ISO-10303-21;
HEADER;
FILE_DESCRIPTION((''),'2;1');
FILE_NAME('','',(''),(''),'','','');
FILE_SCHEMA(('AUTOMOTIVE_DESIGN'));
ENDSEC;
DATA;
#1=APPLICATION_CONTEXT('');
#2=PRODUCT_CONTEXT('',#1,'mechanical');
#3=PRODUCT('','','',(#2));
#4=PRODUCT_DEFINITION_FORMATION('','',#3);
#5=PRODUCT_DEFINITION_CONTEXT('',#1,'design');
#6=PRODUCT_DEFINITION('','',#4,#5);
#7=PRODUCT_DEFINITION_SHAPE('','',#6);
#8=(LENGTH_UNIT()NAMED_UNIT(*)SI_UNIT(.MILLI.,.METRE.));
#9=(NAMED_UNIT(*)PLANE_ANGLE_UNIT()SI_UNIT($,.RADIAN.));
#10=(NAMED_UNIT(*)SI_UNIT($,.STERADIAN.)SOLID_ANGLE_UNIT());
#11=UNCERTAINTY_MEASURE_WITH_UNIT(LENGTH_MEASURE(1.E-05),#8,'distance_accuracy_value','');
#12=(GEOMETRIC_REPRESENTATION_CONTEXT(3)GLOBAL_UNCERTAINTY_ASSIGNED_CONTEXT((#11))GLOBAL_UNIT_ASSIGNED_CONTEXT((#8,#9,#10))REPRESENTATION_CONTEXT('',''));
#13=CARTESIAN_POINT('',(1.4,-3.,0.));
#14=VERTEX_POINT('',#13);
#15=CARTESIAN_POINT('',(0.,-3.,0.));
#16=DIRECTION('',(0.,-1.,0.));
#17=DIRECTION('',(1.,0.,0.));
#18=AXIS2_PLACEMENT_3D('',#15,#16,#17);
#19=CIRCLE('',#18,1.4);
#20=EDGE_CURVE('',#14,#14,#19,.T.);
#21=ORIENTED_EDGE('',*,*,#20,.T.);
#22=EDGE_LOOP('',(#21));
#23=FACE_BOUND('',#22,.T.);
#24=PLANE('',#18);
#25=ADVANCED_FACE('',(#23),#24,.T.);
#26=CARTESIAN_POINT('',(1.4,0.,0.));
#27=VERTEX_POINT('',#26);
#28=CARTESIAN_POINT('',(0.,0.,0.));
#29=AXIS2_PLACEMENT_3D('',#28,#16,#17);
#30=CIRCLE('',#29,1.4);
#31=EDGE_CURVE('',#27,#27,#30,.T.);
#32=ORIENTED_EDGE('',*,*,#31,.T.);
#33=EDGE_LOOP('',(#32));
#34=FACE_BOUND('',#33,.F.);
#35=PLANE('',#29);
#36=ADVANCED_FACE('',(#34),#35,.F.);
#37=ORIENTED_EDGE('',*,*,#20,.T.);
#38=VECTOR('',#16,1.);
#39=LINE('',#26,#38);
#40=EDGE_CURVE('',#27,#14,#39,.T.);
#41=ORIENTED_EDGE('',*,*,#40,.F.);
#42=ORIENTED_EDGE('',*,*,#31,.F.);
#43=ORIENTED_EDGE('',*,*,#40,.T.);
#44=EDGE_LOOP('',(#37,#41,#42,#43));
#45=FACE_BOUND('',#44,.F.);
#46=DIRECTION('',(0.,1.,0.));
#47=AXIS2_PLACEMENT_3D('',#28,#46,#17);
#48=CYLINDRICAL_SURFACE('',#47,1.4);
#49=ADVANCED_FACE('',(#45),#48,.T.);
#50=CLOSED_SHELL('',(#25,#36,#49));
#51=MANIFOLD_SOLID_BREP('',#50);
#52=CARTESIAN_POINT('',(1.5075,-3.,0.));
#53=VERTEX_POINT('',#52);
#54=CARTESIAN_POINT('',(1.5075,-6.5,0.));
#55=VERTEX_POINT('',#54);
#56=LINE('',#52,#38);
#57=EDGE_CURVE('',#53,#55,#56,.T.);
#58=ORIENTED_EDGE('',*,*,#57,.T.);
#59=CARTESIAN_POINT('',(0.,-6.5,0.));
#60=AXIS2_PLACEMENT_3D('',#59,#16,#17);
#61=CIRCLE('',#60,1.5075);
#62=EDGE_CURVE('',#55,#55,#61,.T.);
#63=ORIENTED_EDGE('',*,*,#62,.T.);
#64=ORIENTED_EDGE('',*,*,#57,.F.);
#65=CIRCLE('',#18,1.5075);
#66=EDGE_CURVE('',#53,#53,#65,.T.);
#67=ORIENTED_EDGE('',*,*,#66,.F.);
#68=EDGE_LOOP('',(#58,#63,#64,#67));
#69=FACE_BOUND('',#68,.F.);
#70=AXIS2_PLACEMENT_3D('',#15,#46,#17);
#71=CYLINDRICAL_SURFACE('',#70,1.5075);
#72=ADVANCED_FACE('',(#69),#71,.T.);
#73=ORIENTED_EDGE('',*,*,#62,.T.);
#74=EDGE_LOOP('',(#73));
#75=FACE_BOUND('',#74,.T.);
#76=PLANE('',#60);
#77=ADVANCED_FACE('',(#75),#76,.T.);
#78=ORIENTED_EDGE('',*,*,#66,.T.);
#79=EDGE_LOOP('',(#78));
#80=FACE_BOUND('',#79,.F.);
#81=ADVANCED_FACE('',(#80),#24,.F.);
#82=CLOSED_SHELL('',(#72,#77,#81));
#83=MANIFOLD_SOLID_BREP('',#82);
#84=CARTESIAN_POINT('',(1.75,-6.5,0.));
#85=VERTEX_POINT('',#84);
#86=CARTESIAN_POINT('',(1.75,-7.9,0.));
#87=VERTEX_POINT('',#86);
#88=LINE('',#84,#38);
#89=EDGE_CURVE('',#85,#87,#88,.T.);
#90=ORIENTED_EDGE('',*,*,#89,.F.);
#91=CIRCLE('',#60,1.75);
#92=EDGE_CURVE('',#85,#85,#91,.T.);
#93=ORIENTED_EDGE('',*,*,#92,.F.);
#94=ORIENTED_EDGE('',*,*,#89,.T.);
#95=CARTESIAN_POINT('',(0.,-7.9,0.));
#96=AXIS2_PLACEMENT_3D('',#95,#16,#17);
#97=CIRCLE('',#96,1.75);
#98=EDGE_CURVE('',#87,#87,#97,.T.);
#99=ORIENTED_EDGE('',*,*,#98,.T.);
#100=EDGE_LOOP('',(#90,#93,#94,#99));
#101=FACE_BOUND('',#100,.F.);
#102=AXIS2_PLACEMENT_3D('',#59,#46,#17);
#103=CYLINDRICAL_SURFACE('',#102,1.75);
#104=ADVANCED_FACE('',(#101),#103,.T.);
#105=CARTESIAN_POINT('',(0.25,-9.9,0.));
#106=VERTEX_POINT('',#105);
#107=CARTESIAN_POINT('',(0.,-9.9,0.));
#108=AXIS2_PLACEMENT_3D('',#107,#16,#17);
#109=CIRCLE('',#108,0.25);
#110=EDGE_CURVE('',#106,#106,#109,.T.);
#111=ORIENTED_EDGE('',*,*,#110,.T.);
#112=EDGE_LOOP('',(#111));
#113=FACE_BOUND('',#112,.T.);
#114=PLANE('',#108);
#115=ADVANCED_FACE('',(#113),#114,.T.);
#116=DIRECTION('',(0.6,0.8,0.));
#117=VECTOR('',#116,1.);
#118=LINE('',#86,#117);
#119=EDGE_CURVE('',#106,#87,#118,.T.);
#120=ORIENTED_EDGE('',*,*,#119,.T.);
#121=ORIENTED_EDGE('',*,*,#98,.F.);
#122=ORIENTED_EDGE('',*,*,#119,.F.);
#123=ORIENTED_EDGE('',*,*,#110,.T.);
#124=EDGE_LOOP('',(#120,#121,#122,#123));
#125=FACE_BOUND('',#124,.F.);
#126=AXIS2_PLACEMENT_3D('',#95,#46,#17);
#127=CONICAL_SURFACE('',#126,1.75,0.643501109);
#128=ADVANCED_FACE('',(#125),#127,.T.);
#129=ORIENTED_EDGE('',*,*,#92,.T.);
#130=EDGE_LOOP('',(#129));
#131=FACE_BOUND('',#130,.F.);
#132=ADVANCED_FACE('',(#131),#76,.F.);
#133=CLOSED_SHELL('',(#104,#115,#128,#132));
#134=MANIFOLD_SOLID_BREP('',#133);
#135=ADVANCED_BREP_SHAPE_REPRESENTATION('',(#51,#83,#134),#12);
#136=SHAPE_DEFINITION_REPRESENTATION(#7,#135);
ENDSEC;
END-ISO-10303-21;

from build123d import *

# Parameters (mm, degrees)
F0_R     = 1.4
F1_DEPTH = 3
F2_R     = 1.5075
F2_R_2   = 1.4
F3_DEPTH = 3.5
F4_R     = 1.75
F4_R_2   = 1.5075
F5_DEPTH = 3.4
F6_SIZE2 = 2
F6_SIZE  = 1.5


with BuildPart() as f1:
    # F0 (on Front) → F1 (new body)
    with BuildSketch(Plane.XZ):
        Circle(F0_R)
    extrude(amount=F1_DEPTH)


with BuildPart() as f3:
    # F2 (on face) → F3 (new body)
    with BuildSketch(Plane.XZ.offset(3)):
        Circle(F2_R)
        Circle(F2_R_2, mode=Mode.SUBTRACT)
        Circle(F2_R_2)
    extrude(amount=F3_DEPTH)


with BuildPart() as f5:
    # F4 (on face) → F5 (new body)
    with BuildSketch(Plane.XZ.offset(6.5)):
        Circle(F4_R)
        Circle(F4_R_2, mode=Mode.SUBTRACT)
        Circle(F4_R_2)
    extrude(amount=F5_DEPTH)

    # F6
    f6_edges = [f5.edges().sort_by_distance(p)[0] for p in [
        (-1.75, -9.9, 0),
    ]]
    f6_side = f5.faces().sort_by_distance((0, -9.9, 0))[0]
    chamfer(f6_edges, length=F6_SIZE, length2=F6_SIZE2, reference=f6_side)


solid = Compound([f1.part, f3.part, f5.part])
